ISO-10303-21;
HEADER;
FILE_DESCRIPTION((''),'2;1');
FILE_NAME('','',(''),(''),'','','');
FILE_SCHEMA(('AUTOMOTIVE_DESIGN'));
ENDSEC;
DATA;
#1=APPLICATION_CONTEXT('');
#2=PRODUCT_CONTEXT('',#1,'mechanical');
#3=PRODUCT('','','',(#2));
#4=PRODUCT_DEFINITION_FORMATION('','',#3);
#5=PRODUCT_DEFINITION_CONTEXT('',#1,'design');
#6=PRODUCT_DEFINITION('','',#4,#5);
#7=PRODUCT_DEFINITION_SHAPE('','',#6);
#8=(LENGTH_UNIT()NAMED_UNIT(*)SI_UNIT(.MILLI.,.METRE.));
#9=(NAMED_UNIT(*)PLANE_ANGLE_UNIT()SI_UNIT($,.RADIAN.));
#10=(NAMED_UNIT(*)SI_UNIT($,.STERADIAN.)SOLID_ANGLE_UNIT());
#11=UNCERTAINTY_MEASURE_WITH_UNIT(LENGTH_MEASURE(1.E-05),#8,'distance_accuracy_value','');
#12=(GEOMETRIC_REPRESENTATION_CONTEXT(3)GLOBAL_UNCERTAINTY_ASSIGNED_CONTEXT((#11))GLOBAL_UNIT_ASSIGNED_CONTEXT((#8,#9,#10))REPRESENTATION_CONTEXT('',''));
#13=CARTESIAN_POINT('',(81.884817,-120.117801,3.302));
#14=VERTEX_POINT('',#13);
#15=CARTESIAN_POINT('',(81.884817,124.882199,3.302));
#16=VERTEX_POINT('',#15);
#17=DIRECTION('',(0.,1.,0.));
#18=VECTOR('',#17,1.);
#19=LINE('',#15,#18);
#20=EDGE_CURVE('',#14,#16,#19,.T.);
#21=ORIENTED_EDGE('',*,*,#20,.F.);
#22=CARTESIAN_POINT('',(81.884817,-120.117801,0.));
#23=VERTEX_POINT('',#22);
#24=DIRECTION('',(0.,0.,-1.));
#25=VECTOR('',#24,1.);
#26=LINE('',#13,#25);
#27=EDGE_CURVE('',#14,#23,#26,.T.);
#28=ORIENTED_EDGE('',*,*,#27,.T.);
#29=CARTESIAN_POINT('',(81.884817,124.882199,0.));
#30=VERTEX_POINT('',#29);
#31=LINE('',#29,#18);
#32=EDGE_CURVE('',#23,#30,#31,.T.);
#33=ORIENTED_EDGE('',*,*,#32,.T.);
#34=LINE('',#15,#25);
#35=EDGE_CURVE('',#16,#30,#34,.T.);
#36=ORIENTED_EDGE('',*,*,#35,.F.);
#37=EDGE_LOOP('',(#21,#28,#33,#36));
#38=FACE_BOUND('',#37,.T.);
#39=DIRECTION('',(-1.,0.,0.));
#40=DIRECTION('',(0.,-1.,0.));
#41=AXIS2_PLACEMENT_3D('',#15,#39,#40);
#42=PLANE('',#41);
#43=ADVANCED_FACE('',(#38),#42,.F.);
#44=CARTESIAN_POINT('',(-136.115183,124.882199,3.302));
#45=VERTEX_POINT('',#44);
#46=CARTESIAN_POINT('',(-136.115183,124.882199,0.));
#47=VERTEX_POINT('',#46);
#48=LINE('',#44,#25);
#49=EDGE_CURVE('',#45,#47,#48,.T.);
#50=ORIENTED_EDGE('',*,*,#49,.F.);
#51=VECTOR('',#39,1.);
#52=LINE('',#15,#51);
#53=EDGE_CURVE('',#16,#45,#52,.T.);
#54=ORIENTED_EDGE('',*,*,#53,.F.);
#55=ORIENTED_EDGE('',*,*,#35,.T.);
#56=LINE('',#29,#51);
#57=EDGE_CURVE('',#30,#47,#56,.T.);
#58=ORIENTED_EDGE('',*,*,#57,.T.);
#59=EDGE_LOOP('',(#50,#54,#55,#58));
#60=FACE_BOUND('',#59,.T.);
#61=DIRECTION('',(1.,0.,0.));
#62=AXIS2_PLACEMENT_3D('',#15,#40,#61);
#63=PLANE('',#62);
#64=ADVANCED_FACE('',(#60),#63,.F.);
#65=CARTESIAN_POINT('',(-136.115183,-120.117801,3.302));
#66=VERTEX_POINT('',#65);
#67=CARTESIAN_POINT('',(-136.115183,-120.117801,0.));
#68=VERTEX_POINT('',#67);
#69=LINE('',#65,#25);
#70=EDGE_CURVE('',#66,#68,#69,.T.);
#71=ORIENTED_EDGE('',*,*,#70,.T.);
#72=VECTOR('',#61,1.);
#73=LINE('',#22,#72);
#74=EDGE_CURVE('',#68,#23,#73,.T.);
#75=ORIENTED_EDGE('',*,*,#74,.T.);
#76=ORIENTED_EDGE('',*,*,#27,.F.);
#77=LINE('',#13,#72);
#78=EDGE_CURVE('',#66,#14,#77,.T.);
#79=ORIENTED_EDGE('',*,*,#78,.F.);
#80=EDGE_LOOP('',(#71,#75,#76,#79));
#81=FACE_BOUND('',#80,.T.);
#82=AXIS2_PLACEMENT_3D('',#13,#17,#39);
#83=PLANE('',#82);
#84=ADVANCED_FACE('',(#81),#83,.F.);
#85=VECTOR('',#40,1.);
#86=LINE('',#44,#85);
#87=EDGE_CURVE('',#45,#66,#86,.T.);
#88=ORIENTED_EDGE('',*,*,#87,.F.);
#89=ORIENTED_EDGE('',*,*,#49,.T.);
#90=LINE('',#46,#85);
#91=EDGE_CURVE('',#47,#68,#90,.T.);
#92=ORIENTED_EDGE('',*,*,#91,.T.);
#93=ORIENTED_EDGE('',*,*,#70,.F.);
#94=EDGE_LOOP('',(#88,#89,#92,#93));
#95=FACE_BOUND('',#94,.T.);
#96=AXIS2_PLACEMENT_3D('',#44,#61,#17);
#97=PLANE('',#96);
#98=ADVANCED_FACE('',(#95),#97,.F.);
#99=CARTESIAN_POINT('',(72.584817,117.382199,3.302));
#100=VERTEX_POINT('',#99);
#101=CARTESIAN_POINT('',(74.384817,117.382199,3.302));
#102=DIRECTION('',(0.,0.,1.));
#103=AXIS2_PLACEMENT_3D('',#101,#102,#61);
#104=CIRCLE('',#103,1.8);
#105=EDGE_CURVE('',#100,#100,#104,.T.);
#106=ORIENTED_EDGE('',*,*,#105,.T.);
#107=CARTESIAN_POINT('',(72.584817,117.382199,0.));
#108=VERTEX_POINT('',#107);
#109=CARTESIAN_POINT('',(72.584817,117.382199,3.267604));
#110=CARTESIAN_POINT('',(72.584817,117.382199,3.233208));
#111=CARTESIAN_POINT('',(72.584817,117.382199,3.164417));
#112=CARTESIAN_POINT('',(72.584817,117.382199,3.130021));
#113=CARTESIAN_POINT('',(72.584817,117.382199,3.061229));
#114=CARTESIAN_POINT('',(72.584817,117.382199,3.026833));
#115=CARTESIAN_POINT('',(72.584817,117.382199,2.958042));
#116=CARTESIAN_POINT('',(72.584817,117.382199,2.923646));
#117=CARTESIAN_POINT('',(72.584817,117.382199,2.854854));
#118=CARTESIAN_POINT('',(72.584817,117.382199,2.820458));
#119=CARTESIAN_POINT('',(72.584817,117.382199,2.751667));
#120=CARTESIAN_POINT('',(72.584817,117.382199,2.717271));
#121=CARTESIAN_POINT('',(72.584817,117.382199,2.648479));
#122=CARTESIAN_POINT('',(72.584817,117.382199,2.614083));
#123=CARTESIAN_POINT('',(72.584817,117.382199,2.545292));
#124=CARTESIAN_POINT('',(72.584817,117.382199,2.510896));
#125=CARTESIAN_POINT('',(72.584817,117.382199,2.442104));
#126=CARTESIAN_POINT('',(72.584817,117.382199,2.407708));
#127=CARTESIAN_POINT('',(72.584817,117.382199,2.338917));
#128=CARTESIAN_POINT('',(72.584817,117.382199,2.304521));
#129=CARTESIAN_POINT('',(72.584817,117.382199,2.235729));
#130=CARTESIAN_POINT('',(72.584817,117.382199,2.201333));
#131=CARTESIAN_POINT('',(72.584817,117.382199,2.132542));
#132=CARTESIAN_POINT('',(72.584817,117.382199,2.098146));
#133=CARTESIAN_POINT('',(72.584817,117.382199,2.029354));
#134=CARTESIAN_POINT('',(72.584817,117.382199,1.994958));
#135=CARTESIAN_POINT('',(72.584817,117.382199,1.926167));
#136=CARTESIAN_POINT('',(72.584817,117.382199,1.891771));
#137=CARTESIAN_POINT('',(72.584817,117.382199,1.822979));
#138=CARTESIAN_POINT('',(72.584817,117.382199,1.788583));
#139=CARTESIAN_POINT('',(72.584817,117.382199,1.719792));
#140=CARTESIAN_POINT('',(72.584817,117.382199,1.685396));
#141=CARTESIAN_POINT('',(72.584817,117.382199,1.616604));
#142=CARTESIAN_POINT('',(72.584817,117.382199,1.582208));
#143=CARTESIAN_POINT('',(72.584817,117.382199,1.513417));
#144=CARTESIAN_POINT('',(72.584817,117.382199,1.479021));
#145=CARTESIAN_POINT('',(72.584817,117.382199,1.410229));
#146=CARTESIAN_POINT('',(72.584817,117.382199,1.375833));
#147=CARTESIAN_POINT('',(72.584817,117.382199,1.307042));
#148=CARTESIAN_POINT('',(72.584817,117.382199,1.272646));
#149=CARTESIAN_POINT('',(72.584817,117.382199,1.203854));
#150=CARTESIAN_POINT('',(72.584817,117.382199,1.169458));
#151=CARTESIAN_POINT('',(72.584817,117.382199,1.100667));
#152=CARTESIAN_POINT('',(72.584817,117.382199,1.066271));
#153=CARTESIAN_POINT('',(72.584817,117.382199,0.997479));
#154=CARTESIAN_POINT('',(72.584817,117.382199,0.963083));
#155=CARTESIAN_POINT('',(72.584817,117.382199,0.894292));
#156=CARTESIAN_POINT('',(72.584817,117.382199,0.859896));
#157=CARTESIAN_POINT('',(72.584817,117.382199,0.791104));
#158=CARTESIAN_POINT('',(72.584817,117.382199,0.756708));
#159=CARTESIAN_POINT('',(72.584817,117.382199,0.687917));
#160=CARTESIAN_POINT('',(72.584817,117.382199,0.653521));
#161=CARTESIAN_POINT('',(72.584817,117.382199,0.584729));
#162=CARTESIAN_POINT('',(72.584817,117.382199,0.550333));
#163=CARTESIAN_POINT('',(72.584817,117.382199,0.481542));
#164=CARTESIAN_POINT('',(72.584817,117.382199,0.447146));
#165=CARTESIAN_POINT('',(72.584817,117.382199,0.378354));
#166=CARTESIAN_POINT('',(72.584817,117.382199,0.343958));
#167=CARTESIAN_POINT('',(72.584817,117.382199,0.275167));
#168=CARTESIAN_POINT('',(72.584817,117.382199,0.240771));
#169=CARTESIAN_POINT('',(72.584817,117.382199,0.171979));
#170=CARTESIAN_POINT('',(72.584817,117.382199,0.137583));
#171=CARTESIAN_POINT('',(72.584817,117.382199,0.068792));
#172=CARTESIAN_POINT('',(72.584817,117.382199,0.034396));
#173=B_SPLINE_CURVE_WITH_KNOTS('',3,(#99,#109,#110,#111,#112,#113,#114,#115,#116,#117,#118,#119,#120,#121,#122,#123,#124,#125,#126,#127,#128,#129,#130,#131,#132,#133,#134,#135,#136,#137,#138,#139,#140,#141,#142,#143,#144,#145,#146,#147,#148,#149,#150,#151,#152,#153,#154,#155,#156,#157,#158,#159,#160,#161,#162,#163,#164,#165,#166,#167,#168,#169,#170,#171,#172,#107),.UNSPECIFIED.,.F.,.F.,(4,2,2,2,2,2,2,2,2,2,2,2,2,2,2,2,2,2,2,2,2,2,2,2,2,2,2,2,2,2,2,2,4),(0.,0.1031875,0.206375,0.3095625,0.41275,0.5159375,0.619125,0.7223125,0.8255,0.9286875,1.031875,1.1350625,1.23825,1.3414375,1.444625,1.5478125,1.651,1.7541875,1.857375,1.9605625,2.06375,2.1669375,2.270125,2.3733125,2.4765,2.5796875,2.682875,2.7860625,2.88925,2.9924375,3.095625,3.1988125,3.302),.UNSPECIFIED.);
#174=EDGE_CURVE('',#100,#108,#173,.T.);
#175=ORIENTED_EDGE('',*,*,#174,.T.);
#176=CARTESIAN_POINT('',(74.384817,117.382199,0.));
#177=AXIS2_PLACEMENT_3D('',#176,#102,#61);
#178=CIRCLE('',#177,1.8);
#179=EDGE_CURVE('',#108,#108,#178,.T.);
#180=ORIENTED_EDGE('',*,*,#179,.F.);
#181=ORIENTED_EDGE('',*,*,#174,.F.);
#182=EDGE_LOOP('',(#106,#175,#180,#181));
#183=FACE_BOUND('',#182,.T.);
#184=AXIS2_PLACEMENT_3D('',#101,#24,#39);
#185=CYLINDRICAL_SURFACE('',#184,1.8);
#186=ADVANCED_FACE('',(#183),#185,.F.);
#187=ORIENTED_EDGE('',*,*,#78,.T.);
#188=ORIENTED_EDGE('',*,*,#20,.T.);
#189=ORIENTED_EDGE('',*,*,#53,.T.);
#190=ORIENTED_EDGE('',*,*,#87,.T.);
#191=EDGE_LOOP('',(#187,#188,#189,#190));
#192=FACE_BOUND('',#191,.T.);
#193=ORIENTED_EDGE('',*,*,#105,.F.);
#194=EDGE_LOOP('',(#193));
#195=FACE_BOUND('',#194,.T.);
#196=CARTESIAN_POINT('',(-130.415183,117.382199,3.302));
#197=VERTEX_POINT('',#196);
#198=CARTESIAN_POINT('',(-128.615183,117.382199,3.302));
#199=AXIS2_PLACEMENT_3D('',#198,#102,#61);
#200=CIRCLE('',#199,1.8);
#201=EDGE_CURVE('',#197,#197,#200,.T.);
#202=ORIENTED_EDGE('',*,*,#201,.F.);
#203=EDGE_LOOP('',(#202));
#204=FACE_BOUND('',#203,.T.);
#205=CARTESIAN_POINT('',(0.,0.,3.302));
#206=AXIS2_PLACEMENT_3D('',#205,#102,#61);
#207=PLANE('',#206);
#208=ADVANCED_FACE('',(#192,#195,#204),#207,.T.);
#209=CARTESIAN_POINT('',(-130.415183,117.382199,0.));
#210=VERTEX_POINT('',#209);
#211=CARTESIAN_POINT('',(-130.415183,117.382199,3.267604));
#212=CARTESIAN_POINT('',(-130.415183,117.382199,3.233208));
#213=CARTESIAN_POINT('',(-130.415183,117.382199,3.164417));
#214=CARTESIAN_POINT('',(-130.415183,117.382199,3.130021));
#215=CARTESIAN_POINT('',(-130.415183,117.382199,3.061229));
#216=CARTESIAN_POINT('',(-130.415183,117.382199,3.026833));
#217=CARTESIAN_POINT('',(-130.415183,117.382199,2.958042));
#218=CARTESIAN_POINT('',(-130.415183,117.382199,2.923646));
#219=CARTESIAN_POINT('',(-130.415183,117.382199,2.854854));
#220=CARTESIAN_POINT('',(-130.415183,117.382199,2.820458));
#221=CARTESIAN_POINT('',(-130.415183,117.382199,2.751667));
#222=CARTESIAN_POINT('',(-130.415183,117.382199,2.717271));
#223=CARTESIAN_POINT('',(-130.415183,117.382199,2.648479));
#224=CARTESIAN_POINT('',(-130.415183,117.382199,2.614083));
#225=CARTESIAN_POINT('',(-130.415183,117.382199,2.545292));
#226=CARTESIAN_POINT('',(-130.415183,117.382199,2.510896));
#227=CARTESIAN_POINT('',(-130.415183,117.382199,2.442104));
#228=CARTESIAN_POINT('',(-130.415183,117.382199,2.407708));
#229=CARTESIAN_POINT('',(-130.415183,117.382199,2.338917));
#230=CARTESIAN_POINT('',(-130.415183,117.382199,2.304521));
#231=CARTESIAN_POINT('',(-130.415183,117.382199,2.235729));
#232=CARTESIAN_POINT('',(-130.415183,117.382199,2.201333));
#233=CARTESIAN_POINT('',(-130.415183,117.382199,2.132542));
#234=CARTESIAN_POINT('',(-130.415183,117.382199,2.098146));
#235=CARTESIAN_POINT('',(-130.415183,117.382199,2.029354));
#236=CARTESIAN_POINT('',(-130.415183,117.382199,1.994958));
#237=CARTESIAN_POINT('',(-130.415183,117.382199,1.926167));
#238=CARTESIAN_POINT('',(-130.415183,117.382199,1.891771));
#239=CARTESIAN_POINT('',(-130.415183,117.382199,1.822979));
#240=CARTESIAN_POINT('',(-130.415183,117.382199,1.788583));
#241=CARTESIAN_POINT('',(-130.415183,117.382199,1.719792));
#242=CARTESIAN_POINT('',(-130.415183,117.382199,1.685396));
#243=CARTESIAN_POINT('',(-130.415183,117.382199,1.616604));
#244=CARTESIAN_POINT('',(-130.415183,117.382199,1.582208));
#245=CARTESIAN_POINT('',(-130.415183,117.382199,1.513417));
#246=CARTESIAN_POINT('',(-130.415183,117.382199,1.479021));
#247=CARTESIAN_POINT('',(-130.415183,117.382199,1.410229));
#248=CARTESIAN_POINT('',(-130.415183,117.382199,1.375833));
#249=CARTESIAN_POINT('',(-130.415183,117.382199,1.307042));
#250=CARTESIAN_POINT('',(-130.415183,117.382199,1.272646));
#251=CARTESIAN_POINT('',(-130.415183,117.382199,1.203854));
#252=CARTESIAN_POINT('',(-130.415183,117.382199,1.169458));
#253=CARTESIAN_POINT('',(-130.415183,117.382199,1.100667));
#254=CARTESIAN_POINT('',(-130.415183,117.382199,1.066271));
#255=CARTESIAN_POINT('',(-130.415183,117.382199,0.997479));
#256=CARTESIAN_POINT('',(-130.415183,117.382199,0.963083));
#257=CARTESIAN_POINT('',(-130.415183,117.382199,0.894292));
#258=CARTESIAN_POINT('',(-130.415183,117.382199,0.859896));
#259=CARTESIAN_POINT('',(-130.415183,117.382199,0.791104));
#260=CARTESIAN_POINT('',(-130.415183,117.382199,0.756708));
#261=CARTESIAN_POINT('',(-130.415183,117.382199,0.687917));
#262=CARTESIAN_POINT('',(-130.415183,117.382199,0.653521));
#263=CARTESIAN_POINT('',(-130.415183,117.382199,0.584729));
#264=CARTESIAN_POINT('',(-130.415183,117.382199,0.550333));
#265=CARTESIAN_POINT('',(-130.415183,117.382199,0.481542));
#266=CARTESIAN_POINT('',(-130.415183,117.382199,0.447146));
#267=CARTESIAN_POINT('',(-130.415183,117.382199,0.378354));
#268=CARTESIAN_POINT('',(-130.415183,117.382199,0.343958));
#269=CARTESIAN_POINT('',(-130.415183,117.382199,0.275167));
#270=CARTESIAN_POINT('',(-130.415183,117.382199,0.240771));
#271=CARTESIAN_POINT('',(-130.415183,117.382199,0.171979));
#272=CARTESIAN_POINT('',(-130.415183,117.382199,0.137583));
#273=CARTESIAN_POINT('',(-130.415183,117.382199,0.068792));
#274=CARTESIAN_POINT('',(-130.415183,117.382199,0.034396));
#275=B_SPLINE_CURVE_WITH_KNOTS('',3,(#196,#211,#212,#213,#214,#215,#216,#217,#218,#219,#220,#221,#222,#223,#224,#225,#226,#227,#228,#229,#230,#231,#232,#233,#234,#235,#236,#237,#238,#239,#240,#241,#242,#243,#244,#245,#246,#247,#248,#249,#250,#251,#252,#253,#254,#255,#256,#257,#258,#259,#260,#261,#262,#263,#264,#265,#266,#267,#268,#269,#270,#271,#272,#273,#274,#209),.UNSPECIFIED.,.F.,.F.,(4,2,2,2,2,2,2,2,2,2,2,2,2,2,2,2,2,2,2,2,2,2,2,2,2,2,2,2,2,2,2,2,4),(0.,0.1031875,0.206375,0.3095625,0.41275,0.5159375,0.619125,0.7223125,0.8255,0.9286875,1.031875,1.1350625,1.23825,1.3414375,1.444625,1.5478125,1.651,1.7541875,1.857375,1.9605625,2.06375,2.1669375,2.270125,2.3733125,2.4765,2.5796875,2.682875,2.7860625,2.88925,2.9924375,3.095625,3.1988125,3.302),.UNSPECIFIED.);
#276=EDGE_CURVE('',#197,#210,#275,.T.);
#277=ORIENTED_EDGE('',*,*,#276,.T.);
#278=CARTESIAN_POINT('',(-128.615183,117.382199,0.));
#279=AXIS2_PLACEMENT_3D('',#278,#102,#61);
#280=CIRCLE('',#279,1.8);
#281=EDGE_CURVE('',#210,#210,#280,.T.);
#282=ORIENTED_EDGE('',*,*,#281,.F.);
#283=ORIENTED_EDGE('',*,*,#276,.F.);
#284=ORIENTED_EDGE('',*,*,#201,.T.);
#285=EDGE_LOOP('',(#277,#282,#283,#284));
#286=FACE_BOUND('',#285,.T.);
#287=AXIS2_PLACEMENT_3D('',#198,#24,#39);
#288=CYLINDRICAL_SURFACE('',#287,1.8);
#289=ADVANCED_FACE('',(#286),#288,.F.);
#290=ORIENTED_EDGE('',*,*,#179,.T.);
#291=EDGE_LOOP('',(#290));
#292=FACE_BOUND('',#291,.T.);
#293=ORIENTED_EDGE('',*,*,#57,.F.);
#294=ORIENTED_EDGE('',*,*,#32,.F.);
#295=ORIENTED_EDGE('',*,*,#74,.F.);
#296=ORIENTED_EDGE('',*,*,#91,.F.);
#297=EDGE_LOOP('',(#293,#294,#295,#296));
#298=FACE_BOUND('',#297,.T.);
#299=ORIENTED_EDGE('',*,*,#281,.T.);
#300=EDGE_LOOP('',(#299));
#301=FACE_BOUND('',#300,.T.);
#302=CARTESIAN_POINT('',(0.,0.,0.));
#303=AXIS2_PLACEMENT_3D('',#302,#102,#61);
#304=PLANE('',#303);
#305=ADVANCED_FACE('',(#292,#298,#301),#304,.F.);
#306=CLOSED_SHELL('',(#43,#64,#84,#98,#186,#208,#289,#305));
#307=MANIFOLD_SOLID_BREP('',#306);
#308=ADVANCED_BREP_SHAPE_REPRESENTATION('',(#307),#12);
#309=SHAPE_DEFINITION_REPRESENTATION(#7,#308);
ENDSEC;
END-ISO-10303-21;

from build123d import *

# Parameters (mm, degrees)
SKETCH1_W           = 218
SKETCH1_H           = 245
SKETCH1_R           = 1.8
BOSS_EXTRUDE1_DEPTH = 3.302


with BuildPart() as part:
    # Sketch1 → Boss-Extrude1 (new body)
    with BuildSketch(Plane.XY):
        with Locations((-27.115183246, 2.382198953)):
            Rectangle(SKETCH1_W, SKETCH1_H)
        with Locations(Location((-128.615183246, 117.382198953, 0), (0, 0, 180))):
            Circle(SKETCH1_R, mode=Mode.SUBTRACT)
        with Locations(Location((74.384816754, 117.382198953, 0), (0, 0, 180))):
            Circle(SKETCH1_R, mode=Mode.SUBTRACT)
    extrude(amount=BOSS_EXTRUDE1_DEPTH)


solid = part.part
